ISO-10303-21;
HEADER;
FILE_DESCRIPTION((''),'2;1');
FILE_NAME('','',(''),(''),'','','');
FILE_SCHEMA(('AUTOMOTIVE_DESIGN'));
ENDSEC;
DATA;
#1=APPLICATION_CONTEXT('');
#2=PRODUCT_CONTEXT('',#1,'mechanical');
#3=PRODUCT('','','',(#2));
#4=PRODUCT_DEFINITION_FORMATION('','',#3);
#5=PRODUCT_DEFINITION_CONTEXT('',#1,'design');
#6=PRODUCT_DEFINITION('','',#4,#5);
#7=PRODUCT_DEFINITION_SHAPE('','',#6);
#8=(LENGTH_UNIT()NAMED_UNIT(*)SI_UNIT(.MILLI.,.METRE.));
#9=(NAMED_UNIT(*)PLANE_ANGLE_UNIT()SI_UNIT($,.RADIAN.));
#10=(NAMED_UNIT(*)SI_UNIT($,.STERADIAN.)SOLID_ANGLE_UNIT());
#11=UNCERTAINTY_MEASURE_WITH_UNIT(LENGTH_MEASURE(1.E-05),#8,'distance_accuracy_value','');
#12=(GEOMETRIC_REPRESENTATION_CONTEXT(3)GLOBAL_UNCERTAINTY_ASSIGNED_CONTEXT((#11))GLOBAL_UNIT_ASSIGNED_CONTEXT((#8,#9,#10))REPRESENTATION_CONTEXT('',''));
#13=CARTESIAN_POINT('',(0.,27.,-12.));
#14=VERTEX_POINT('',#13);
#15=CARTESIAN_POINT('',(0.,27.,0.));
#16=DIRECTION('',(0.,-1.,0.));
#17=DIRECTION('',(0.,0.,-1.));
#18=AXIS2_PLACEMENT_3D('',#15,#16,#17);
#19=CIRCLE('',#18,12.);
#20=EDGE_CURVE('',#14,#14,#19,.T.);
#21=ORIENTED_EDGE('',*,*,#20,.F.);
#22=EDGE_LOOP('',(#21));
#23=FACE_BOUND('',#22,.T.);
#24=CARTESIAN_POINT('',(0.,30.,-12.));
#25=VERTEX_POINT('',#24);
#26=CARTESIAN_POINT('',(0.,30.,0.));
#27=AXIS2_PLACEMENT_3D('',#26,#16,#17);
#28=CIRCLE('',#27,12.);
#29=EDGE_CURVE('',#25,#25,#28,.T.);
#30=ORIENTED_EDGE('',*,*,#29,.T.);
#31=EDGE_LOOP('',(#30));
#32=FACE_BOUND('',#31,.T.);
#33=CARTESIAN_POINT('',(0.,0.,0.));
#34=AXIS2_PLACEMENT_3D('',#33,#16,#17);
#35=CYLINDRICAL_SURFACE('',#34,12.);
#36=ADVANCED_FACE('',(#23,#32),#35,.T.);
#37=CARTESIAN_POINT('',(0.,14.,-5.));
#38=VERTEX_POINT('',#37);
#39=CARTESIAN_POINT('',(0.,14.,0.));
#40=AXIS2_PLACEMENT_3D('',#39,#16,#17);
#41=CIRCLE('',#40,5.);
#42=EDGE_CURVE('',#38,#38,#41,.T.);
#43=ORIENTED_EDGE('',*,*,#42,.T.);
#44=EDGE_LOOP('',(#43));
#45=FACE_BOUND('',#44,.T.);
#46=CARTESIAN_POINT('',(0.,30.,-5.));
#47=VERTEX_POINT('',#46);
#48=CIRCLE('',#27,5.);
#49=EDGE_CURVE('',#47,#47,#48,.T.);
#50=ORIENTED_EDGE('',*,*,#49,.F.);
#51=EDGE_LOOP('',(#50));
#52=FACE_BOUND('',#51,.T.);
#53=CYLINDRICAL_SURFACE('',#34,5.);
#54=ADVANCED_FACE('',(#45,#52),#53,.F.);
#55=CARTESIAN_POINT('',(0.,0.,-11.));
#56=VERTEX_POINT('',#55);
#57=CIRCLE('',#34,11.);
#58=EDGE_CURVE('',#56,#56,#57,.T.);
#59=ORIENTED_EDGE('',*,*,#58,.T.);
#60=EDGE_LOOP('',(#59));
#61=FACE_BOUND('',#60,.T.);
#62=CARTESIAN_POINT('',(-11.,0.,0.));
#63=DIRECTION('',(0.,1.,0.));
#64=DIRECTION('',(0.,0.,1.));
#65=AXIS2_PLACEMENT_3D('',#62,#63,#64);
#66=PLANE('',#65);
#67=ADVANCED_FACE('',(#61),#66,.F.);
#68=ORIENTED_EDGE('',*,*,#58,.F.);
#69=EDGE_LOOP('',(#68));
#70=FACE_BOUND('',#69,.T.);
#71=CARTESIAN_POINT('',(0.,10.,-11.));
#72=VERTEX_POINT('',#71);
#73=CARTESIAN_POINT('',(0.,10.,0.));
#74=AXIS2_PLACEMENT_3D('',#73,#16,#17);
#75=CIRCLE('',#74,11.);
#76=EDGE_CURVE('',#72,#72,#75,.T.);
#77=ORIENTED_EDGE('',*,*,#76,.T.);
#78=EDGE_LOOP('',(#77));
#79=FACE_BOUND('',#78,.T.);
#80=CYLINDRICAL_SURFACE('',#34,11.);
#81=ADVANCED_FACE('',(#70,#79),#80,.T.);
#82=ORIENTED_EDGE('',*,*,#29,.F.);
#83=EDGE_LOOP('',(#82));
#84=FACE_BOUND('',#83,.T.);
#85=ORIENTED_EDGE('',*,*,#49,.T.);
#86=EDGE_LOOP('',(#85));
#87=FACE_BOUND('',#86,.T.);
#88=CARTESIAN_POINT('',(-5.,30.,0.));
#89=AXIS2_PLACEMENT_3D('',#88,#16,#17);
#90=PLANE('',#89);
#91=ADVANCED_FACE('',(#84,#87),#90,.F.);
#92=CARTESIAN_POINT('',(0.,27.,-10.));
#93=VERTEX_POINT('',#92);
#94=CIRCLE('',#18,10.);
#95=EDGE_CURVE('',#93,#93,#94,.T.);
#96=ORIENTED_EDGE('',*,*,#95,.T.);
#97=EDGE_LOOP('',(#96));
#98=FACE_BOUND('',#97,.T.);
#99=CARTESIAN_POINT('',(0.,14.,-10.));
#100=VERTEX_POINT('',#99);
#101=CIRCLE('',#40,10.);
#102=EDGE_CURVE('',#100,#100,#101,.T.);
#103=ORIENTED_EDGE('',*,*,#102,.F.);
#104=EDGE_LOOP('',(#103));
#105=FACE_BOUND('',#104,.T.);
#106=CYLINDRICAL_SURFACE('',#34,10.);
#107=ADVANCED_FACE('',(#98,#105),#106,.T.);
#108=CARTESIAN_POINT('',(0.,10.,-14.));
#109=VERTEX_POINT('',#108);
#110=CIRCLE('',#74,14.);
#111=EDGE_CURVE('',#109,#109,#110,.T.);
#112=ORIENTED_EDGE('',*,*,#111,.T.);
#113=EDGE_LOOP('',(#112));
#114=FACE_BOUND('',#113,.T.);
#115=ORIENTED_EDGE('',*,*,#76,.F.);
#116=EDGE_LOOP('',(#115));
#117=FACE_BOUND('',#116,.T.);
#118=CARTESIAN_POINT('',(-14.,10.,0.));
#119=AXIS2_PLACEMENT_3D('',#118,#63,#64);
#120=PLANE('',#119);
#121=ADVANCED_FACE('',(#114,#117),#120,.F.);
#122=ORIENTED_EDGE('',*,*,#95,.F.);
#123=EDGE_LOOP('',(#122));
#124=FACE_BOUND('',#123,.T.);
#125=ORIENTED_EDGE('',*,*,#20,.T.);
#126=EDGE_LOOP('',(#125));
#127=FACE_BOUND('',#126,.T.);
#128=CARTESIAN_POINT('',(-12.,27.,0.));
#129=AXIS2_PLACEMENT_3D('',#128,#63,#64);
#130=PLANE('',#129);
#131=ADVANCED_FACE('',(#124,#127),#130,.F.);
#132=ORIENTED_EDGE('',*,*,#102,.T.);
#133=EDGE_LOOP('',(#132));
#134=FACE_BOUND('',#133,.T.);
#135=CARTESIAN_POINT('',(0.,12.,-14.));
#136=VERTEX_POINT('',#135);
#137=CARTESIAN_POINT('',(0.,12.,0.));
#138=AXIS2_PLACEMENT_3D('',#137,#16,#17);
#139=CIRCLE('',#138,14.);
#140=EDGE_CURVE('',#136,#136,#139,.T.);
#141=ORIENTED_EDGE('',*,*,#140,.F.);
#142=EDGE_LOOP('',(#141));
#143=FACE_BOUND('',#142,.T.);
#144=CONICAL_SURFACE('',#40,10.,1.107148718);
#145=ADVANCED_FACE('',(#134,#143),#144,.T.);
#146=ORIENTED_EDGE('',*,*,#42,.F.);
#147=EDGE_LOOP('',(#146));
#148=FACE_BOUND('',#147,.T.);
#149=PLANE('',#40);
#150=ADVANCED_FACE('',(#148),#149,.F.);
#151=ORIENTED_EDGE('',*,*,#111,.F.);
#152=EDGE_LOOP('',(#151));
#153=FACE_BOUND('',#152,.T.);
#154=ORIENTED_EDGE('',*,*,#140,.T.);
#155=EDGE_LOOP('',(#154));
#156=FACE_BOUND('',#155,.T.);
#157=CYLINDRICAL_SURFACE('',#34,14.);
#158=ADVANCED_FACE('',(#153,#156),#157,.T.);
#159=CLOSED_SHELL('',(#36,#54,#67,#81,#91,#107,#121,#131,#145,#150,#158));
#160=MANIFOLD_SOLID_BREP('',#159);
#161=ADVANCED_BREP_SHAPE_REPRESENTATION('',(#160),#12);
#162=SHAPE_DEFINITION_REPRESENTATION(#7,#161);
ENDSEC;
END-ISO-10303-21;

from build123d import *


with BuildPart() as part:
    # Sketch2 → Revolve1 (revolve)
    with BuildSketch(Plane.XY, mode=Mode.PRIVATE) as revolve1_sk:
        Polygon((0, 14), (-5, 14), (-5, 30), (-12, 30), (-12, 27), (-10, 27), (-10, 14), (-14, 12), (-14, 10), (-11, 10), (-11, 0), (0, 0), align=None)
    revolve(revolve1_sk.sketch.rotate(Axis((0, 0, 0), (0, 1, 0)), 270), axis=Axis((0, 0, 0), (0, 1, 0)))


solid = part.part
